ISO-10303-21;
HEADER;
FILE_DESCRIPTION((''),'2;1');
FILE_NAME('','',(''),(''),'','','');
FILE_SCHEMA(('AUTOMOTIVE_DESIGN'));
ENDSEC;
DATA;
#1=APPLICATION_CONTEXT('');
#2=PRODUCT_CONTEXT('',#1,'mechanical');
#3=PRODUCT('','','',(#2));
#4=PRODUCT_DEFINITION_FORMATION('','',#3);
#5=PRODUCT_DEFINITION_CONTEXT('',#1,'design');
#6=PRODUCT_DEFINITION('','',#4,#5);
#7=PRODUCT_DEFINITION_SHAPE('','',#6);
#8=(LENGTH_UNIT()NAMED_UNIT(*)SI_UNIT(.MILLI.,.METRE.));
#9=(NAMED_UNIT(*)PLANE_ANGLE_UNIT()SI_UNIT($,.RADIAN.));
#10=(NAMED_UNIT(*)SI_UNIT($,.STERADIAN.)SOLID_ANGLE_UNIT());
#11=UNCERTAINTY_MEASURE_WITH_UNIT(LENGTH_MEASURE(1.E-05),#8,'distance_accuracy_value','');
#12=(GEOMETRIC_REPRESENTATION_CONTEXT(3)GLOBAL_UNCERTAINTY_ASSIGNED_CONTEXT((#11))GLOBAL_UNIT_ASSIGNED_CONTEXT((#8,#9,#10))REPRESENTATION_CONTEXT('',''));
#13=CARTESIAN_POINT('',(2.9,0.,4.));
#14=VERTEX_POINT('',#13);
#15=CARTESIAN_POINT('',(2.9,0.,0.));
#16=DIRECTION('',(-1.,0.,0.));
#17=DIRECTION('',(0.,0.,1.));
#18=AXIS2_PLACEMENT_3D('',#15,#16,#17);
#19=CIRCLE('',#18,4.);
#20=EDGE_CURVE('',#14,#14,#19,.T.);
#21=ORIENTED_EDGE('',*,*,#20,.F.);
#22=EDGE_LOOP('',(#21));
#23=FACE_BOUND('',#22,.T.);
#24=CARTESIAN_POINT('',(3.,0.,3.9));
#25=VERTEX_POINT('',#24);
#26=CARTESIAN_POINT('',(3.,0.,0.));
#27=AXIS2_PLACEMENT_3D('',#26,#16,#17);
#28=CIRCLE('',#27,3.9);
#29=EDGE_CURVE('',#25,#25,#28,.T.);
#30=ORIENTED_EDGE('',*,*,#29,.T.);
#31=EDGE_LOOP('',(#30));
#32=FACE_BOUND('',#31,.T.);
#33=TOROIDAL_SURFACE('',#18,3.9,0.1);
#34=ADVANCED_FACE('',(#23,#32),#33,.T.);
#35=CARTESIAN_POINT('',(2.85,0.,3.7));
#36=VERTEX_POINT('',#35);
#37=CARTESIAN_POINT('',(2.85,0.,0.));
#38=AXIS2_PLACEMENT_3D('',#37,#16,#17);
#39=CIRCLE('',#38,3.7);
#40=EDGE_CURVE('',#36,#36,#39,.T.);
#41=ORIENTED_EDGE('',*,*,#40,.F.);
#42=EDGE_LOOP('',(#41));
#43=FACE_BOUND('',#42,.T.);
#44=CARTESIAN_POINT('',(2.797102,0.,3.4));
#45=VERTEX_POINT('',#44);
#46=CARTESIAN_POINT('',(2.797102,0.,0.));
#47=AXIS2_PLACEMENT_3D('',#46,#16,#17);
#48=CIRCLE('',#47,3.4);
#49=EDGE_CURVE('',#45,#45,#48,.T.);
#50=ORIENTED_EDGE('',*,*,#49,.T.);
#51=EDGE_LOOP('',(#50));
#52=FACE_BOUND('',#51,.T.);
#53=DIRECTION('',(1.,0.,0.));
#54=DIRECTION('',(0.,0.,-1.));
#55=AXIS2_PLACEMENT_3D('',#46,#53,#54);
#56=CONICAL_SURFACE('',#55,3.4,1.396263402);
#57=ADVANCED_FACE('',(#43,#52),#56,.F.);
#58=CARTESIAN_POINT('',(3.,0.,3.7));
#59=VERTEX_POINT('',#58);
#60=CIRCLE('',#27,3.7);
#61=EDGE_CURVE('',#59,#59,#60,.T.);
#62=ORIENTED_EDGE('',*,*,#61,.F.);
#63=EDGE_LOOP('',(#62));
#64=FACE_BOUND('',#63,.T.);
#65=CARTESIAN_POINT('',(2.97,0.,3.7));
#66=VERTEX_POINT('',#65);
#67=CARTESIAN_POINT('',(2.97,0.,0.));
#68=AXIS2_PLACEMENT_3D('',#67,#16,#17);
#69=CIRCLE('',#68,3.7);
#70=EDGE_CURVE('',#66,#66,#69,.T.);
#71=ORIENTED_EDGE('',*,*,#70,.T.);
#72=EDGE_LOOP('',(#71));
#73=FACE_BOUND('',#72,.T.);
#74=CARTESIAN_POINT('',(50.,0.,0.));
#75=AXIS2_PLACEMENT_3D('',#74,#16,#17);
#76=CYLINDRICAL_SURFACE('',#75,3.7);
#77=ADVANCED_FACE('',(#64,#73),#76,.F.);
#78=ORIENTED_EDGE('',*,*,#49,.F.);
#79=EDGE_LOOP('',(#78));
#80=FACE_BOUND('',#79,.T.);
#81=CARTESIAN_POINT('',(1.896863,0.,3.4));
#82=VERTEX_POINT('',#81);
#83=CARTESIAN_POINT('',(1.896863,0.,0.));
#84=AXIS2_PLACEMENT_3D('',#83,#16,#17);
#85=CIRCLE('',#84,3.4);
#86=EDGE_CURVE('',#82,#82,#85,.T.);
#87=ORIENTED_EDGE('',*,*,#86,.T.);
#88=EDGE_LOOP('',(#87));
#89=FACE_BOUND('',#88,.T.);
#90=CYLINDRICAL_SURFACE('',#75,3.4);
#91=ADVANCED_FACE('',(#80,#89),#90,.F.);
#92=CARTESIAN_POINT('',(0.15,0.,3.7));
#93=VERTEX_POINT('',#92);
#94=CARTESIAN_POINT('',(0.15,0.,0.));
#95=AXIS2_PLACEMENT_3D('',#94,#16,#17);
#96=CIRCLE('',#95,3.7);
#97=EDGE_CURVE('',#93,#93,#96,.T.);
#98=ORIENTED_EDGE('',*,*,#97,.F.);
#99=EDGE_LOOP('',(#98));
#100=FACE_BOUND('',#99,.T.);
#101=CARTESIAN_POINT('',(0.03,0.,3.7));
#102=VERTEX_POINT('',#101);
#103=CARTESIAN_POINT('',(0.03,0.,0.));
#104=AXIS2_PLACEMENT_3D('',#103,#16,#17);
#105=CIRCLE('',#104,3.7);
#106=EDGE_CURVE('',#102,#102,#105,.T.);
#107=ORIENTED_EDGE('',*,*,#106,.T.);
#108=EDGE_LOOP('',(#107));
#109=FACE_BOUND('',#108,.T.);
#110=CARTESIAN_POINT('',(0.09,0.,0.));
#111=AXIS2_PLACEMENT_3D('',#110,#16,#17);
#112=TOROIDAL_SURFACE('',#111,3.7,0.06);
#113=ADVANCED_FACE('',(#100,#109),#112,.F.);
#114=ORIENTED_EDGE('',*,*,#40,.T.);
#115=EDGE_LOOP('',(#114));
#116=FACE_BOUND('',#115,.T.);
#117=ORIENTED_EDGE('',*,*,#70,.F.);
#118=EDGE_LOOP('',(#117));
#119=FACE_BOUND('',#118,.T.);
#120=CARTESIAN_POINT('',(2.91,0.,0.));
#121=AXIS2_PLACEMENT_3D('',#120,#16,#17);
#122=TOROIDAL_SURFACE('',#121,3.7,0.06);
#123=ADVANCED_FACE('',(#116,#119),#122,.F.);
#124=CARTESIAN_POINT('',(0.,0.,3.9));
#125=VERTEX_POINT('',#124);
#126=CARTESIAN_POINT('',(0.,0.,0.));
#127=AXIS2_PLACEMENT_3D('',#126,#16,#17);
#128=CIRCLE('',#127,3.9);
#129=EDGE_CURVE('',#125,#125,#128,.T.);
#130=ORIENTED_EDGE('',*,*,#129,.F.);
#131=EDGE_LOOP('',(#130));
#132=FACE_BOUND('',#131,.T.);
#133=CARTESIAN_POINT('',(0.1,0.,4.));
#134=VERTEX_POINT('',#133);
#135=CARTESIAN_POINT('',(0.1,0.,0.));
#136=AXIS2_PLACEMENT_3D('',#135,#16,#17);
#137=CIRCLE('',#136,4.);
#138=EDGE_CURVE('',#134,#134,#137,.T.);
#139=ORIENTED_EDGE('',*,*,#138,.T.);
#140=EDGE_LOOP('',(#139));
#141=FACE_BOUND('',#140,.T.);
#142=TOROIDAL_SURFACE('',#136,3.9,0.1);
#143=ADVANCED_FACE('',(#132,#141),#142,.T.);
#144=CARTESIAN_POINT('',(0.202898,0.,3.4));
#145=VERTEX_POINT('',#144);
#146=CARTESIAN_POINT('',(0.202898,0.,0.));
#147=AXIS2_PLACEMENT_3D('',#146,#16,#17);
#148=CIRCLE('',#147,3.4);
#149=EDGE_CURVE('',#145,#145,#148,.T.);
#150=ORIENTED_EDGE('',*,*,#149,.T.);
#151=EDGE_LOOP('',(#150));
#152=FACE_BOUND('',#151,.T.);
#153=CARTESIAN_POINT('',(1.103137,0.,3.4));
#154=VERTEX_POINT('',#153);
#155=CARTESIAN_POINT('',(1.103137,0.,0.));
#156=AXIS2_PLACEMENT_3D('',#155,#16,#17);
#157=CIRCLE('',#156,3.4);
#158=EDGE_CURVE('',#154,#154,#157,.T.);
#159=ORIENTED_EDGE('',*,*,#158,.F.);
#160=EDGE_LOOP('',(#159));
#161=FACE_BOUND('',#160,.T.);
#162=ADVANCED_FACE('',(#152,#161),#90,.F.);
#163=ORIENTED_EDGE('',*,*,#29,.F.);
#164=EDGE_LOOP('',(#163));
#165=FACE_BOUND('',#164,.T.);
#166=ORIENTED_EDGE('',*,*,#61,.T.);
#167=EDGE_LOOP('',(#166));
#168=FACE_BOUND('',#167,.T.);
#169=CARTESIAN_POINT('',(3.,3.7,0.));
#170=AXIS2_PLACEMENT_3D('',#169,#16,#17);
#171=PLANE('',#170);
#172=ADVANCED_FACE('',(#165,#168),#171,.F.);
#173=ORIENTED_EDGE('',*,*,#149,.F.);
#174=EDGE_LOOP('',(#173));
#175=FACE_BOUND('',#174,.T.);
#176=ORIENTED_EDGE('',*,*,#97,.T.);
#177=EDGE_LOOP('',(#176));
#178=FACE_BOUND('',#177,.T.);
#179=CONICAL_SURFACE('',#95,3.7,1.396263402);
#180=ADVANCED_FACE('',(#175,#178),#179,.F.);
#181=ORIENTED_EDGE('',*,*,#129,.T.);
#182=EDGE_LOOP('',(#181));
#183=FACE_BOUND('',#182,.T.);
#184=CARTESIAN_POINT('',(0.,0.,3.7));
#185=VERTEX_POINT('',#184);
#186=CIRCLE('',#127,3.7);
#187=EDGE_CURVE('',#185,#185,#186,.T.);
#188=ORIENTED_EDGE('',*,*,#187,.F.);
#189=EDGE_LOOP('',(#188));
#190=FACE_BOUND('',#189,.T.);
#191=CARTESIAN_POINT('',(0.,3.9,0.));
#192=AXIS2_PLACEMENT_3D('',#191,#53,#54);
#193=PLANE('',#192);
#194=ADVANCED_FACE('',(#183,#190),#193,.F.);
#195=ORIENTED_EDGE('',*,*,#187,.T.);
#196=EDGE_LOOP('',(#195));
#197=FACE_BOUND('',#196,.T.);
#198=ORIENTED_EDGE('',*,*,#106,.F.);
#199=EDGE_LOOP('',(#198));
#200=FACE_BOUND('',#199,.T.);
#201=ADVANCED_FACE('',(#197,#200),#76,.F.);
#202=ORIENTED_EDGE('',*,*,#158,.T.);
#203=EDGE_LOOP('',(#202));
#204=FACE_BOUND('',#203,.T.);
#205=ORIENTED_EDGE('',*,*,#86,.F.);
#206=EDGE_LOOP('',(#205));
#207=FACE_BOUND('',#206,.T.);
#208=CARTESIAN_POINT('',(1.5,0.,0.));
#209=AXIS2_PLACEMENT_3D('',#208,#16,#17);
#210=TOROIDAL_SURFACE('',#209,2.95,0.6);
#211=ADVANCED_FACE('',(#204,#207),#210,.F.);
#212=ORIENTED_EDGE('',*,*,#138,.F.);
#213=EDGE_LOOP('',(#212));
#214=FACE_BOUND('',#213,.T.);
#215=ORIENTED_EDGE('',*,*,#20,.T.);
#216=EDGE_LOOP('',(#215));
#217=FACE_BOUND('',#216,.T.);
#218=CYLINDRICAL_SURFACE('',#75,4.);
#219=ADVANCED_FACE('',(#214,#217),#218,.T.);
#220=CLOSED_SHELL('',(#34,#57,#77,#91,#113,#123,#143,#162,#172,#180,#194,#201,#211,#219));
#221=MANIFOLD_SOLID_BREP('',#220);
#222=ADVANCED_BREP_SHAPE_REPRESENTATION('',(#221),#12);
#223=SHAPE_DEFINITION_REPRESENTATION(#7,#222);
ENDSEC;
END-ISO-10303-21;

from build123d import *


with BuildPart() as part:
    # Sketch1 → Revolve1 (revolve)
    with BuildSketch(Plane.XY, mode=Mode.PRIVATE) as revolve1_sk:
        with BuildLine():
            Line((0, 3.9), (0, 3.7))
            Line((0, 3.7), (0.03, 3.7))
            ThreePointArc((0.03, 3.7), (0.09, 3.76), (0.15, 3.7))
            Line((0.15, 3.7), (0.202898094, 3.4))
            Line((0.202898094, 3.4), (1.103137303, 3.4))
            ThreePointArc((1.103137303, 3.4), (1.5, 3.55), (1.896862697, 3.4))
            Line((1.896862697, 3.4), (2.797101906, 3.4))
            Line((2.797101906, 3.4), (2.85, 3.7))
            ThreePointArc((2.85, 3.7), (2.91, 3.76), (2.97, 3.7))
            Line((2.97, 3.7), (3, 3.7))
            Line((3, 3.7), (3, 3.9))
            ThreePointArc((3, 3.9), (2.970710678, 3.970710678), (2.9, 4))
            Line((2.9, 4), (0.1, 4))
            ThreePointArc((0.1, 4), (0.029289322, 3.970710678), (0, 3.9))
        make_face()
    revolve(revolve1_sk.sketch.rotate(Axis((50, 0, 0), (-1, 0, 0)), 270), axis=Axis((50, 0, 0), (-1, 0, 0)))


solid = part.part
